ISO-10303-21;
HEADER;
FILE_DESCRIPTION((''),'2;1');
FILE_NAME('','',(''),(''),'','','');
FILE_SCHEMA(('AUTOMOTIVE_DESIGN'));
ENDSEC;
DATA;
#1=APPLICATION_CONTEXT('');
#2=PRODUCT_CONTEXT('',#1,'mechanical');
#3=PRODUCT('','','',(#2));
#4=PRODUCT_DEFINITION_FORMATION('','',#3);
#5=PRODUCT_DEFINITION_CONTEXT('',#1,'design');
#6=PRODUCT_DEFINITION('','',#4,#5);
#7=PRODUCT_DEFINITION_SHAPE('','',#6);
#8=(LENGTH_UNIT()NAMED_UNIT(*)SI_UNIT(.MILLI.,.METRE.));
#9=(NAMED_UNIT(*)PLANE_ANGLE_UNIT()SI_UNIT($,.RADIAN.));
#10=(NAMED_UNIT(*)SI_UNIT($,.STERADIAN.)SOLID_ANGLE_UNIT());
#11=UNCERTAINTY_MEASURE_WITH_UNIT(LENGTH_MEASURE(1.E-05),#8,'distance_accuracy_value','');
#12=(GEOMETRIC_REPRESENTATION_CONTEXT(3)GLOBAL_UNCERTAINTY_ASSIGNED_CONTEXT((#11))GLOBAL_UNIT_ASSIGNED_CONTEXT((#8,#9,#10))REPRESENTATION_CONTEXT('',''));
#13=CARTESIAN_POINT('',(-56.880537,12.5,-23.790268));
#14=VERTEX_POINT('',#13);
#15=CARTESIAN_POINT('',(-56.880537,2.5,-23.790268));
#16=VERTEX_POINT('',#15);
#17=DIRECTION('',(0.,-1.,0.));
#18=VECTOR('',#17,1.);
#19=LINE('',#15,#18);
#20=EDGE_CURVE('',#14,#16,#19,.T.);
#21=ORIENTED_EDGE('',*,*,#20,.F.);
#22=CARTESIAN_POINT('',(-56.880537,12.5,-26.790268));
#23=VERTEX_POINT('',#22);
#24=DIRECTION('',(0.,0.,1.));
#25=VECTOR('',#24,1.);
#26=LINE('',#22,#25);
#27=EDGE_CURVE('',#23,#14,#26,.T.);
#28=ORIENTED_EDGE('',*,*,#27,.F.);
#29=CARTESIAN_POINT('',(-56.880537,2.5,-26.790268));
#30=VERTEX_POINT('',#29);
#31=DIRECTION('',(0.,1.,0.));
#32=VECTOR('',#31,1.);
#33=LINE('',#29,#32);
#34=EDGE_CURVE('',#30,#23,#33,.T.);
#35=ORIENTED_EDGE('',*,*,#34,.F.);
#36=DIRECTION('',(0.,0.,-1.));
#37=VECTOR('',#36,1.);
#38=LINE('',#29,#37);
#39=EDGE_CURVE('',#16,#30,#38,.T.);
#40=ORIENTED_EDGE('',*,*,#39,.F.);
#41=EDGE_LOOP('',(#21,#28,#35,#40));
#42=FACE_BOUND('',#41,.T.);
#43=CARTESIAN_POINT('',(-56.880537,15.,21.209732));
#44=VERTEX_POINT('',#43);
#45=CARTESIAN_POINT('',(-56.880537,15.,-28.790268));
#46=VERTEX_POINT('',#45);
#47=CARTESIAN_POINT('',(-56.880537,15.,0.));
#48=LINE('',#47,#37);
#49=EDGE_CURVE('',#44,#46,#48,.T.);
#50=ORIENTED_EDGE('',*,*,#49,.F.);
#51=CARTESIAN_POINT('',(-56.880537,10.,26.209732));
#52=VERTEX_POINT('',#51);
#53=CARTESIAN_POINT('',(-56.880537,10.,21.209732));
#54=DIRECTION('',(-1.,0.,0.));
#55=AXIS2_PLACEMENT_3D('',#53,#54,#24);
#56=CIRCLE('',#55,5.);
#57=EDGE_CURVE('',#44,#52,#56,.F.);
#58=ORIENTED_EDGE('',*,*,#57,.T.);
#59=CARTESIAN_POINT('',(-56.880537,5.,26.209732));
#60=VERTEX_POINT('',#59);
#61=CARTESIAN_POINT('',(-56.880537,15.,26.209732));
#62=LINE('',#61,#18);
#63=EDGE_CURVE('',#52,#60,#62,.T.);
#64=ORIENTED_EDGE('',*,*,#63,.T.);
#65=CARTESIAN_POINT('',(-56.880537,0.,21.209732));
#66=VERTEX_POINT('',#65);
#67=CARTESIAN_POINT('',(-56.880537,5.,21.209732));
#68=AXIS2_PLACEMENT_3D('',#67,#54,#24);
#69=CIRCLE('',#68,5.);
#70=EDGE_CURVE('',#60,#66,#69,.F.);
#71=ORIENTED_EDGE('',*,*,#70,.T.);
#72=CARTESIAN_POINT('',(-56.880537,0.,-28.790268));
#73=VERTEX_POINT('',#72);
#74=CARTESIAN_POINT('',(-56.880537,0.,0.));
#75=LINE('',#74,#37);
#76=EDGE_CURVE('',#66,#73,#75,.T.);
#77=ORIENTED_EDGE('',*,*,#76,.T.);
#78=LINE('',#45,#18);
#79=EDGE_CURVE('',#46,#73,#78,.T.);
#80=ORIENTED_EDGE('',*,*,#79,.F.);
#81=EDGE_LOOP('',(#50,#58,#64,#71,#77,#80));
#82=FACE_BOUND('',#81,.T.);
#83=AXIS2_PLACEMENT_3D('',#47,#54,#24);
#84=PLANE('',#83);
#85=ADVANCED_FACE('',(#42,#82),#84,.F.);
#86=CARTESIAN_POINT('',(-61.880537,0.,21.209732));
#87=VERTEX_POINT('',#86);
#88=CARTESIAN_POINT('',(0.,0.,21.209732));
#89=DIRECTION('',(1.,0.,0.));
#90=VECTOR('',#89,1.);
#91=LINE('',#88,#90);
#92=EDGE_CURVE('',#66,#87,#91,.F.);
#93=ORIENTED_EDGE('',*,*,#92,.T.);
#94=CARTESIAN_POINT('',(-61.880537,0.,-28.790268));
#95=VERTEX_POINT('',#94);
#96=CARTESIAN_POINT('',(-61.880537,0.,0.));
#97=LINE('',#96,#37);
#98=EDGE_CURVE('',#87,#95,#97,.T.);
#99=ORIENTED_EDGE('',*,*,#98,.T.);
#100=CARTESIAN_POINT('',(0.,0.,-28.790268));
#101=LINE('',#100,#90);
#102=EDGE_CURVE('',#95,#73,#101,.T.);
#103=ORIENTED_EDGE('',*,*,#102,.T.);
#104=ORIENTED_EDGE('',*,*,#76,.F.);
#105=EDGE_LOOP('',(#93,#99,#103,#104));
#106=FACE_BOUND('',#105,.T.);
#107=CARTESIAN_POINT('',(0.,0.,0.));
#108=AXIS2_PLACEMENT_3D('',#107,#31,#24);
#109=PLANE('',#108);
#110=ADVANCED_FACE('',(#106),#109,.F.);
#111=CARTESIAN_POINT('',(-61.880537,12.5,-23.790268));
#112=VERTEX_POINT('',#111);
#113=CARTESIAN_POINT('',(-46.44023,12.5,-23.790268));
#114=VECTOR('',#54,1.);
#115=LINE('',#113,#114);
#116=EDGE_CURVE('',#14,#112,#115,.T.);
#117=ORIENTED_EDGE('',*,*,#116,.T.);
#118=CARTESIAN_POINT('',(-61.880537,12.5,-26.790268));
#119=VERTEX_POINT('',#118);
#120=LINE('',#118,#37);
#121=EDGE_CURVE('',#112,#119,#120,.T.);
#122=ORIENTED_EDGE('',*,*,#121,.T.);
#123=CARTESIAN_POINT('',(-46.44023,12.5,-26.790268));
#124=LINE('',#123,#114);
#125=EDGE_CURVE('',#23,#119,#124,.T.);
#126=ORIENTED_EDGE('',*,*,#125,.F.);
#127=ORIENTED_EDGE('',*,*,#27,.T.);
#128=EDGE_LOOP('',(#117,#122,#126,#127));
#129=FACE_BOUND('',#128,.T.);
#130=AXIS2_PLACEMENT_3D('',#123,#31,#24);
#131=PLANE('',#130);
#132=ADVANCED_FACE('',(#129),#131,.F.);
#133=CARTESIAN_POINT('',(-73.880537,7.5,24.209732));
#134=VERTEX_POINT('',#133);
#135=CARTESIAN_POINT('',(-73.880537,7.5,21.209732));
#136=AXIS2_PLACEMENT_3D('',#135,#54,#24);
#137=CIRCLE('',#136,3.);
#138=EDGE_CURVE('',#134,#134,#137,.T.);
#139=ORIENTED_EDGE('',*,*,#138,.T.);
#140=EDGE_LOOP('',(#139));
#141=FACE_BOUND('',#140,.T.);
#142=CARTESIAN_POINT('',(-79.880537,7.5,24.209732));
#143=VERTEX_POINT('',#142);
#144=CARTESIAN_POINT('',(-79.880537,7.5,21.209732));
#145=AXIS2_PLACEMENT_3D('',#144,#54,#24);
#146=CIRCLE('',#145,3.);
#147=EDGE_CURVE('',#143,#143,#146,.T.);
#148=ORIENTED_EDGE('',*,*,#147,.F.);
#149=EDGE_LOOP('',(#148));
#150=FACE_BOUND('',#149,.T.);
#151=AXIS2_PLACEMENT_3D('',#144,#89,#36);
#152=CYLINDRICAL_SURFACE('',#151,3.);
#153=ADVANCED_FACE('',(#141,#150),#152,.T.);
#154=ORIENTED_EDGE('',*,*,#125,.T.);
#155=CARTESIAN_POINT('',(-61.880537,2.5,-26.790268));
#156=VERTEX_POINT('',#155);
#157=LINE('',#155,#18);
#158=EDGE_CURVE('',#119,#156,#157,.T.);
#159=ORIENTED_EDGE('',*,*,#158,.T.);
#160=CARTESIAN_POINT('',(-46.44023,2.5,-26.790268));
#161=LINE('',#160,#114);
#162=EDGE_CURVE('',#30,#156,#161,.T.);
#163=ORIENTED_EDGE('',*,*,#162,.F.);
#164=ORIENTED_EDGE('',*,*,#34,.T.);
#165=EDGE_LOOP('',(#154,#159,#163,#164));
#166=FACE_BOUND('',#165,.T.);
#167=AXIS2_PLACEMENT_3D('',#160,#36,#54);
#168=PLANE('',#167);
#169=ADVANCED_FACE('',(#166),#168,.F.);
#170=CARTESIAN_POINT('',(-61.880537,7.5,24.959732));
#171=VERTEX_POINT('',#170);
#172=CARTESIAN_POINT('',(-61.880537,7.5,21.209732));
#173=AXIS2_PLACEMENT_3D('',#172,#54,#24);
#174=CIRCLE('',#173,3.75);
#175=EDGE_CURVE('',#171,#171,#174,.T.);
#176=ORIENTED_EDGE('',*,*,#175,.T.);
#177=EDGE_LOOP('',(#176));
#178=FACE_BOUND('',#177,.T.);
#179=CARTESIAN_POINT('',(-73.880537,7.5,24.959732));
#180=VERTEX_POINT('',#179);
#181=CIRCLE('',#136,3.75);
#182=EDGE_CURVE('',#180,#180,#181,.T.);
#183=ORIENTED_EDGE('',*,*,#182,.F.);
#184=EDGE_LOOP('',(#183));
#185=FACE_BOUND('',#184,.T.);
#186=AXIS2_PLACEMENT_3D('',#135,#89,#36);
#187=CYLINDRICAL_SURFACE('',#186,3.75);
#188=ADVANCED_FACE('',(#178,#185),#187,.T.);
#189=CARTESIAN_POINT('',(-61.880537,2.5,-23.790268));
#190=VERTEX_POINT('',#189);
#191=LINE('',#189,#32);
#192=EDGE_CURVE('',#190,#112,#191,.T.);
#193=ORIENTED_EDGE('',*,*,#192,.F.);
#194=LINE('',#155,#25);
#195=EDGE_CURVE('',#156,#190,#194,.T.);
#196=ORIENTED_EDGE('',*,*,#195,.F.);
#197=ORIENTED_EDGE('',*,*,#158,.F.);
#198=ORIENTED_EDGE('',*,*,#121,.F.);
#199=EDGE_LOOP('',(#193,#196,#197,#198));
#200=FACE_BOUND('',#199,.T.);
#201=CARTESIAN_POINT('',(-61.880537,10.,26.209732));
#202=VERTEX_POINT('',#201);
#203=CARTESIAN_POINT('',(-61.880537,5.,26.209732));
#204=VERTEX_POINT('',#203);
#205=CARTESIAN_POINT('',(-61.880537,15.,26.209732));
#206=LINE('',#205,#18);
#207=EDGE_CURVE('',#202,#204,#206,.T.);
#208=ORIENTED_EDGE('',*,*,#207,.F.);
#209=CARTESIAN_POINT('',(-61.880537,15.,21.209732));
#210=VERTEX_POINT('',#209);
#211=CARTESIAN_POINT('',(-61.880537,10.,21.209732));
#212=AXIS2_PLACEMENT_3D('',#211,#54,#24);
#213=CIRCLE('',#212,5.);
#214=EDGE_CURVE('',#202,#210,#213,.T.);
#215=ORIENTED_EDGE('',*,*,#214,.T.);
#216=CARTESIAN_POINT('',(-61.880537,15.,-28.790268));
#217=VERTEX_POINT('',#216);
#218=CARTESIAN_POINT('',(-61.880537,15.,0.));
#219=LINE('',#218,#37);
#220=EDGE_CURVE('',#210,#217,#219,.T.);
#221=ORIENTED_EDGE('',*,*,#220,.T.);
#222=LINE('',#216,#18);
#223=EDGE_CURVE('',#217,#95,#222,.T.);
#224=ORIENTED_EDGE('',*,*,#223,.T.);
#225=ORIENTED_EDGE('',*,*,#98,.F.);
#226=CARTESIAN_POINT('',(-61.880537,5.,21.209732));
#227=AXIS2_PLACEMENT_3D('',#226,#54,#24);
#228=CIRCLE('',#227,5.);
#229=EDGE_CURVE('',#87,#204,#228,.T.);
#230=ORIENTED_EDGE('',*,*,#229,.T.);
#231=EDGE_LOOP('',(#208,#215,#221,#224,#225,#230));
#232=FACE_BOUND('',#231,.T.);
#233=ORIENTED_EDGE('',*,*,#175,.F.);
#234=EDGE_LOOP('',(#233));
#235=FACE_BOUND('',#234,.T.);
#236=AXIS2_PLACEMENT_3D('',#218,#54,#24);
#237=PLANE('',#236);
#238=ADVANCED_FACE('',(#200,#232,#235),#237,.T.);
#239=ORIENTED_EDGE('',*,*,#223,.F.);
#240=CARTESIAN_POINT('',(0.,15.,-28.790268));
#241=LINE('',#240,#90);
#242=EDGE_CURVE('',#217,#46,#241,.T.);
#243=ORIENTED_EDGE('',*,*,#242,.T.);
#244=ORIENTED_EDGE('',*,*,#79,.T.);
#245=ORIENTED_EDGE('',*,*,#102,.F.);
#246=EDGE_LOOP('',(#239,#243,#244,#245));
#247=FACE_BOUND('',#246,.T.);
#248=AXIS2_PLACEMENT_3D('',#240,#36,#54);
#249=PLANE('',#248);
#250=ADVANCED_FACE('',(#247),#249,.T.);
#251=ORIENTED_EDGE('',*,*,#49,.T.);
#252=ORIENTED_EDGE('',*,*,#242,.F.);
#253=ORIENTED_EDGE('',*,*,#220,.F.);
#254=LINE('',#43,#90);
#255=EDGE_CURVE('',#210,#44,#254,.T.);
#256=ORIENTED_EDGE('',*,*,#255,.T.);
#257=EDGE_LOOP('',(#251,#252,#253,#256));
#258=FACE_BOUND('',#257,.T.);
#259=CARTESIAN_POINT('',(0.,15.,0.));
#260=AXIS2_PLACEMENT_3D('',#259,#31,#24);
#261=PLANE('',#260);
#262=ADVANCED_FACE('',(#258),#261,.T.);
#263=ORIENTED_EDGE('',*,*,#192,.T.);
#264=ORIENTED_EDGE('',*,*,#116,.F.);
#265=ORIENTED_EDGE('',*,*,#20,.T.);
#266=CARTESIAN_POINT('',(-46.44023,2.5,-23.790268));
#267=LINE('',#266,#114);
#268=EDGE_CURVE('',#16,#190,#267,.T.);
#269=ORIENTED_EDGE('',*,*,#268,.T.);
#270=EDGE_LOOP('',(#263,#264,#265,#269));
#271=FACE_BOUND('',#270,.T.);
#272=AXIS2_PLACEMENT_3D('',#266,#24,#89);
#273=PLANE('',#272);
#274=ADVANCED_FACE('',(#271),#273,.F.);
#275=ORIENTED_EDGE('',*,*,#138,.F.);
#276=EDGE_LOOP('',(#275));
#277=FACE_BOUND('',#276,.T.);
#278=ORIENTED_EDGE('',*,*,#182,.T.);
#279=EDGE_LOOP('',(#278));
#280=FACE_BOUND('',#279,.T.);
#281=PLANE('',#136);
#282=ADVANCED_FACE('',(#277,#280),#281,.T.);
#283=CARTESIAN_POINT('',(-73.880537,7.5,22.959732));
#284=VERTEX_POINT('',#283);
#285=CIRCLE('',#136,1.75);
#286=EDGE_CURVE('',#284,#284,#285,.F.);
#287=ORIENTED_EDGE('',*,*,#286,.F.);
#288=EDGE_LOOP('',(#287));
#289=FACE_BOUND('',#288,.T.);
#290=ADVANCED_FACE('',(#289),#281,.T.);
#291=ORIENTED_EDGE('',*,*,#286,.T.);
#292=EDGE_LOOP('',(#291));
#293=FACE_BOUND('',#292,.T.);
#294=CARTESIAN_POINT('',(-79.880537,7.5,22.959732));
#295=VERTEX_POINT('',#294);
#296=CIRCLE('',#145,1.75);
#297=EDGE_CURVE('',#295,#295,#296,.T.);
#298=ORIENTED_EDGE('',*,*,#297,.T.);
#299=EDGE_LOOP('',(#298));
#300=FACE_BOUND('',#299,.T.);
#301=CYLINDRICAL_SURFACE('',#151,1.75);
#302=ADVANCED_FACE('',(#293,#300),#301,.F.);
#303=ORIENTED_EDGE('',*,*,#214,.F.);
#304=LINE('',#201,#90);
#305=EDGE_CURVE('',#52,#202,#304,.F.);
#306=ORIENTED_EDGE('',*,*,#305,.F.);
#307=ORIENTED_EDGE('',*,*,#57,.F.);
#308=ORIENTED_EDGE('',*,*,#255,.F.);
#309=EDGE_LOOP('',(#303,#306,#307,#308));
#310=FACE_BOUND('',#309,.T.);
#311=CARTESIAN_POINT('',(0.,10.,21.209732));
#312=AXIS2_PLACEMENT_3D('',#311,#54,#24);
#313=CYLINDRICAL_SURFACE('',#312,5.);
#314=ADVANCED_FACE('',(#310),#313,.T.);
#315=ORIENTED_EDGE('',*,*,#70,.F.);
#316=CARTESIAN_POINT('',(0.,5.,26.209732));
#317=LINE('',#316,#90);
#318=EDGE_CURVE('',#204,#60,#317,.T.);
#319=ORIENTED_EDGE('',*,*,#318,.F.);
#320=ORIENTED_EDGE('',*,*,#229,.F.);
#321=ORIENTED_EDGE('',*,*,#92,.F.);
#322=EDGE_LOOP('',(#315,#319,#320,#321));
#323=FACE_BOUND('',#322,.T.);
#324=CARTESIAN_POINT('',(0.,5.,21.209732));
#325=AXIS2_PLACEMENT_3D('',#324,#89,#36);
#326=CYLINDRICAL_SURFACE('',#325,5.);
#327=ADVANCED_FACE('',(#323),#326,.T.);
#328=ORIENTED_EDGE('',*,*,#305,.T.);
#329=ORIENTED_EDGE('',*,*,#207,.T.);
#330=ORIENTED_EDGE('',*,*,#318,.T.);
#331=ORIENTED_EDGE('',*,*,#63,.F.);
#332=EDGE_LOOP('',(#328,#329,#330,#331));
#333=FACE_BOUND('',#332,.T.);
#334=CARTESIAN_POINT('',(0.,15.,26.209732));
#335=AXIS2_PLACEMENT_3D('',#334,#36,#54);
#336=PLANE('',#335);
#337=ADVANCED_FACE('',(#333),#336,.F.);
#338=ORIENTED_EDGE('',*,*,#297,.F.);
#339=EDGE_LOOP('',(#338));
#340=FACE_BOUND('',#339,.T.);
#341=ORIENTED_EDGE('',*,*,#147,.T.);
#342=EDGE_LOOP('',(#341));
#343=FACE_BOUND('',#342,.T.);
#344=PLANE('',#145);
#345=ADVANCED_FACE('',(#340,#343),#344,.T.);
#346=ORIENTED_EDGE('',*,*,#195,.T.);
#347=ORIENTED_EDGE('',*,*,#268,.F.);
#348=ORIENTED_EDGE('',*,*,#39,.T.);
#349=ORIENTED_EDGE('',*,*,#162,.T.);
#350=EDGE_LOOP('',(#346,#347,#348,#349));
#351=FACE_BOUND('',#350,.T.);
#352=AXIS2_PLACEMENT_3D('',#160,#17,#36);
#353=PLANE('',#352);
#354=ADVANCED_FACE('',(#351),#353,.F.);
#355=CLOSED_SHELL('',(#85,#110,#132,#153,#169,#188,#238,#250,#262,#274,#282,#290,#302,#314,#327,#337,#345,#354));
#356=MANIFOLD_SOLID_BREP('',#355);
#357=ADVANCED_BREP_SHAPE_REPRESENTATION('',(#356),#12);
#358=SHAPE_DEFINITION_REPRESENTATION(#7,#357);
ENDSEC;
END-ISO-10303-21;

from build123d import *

# Parameters (mm, degrees)
SKETCH1_W           = 5
SKETCH1_H           = 55
BOSS_EXTRUDE1_DEPTH = 15
FILLET1_R           = 5
SKETCH2_W           = 3
SKETCH2_H           = 10
CUT_EXTRUDE1_DEPTH  = 5
SKETCH3_R           = 3.75
BOSS_EXTRUDE2_DEPTH = 12
SKETCH4_R           = 3
SKETCH4_R_2         = 1.75
BOSS_EXTRUDE3_DEPTH = 6


with BuildPart() as part:
    # Sketch1 → Boss-Extrude1 (new body)
    with BuildSketch(Plane(origin=(0, 0, 0), x_dir=(1, 0, 0), z_dir=(0, 1, 0))):
        with Locations((-59.380536913, 1.290268456)):
            Rectangle(SKETCH1_W, SKETCH1_H)
    extrude(amount=BOSS_EXTRUDE1_DEPTH)

    # Fillet1
    fillet1_edges = [part.edges().sort_by_distance(p)[0] for p in [
        (-59.380536913, 15, 26.209731544),
        (-59.380536913, 0, 26.209731544),
    ]]
    fillet(fillet1_edges, radius=FILLET1_R)

    # Sketch2 → Cut-Extrude1 (cut)
    with BuildSketch(Plane.ZY.offset(61.880536913)):
        with Locations((-25.290268456, 7.5)):
            Rectangle(SKETCH2_W, SKETCH2_H)
    extrude(amount=-CUT_EXTRUDE1_DEPTH, mode=Mode.SUBTRACT)

    # Sketch3 → Boss-Extrude2 (add)
    with BuildSketch(Plane.ZY.offset(61.880536913)):
        with Locations((21.209731544, 7.5)):
            Circle(SKETCH3_R)
    extrude(amount=BOSS_EXTRUDE2_DEPTH)

    # Sketch4 → Boss-Extrude3 (add)
    with BuildSketch(Plane.ZY.offset(73.880536913)):
        with Locations((21.209731544, 7.5)):
            Circle(SKETCH4_R)
        with Locations((21.209731544, 7.5)):
            Circle(SKETCH4_R_2, mode=Mode.SUBTRACT)
    extrude(amount=BOSS_EXTRUDE3_DEPTH)


solid = part.part
